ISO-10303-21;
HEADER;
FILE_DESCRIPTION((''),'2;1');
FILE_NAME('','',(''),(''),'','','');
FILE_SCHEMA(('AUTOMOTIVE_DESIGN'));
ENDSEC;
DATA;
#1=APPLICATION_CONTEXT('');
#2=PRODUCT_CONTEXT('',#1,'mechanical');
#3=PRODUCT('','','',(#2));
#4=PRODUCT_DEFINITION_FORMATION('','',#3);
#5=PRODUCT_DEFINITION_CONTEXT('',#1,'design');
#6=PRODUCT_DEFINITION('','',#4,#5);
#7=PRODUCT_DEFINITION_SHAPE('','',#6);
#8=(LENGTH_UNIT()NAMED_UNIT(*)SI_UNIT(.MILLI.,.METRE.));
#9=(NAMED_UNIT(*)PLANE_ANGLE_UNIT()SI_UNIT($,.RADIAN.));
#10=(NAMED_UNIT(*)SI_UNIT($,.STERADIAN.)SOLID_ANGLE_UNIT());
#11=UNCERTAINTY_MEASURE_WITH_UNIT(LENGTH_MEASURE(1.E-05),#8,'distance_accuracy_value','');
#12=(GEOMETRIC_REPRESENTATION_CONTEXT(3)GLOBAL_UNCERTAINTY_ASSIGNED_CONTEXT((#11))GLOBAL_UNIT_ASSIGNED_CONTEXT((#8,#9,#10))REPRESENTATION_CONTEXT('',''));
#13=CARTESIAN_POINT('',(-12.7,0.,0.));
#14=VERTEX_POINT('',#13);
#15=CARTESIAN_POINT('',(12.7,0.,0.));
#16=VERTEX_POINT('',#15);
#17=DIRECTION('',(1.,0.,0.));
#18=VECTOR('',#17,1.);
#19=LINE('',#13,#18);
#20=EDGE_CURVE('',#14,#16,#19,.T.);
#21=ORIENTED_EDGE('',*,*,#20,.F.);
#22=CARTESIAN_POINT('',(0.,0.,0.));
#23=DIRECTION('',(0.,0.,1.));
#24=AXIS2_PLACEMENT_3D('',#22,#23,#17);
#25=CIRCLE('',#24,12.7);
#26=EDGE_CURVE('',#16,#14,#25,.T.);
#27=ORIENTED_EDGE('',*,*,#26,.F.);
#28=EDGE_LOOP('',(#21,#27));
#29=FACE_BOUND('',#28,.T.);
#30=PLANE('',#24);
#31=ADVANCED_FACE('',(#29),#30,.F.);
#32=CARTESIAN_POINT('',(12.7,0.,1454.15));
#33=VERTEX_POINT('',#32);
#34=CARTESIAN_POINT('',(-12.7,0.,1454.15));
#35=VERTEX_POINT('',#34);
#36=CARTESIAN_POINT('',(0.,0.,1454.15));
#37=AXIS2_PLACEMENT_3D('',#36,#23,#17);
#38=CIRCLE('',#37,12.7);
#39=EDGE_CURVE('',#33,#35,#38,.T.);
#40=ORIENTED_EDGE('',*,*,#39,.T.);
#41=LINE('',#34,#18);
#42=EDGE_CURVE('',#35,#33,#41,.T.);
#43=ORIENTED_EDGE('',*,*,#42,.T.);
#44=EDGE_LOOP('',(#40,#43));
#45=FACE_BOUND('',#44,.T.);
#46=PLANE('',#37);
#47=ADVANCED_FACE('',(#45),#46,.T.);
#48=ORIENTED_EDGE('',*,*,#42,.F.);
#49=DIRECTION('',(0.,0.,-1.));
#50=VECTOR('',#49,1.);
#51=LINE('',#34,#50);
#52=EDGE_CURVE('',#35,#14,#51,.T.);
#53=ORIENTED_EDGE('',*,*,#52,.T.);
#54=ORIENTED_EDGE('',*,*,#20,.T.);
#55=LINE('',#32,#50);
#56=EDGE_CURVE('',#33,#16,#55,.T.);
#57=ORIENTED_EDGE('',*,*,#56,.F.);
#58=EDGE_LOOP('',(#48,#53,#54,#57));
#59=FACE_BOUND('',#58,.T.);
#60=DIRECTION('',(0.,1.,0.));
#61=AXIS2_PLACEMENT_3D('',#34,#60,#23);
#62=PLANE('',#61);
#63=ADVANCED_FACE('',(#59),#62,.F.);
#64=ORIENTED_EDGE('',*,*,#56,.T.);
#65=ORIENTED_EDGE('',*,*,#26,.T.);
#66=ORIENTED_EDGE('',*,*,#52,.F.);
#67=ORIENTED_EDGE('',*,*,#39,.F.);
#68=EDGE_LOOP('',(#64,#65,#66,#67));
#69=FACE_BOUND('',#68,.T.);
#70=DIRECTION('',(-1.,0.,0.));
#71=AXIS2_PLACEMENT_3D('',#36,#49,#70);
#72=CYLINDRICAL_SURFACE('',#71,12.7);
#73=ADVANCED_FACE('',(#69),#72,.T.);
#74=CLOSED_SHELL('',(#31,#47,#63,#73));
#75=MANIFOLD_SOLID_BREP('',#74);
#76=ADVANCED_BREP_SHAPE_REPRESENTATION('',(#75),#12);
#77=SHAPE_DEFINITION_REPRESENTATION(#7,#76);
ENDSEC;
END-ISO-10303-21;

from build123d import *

# Parameters (mm, degrees)
BOSS_EXTRUDE1_DEPTH = 1454.15


with BuildPart() as part:
    # Sketch1 → Boss-Extrude1 (new body)
    with BuildSketch(Plane.XY):
        with BuildLine():
            Line((-12.7, 0), (12.7, 0))
            ThreePointArc((12.7, 0), (0, 12.7), (-12.7, 0))
        make_face()
    extrude(amount=BOSS_EXTRUDE1_DEPTH)


solid = part.part
